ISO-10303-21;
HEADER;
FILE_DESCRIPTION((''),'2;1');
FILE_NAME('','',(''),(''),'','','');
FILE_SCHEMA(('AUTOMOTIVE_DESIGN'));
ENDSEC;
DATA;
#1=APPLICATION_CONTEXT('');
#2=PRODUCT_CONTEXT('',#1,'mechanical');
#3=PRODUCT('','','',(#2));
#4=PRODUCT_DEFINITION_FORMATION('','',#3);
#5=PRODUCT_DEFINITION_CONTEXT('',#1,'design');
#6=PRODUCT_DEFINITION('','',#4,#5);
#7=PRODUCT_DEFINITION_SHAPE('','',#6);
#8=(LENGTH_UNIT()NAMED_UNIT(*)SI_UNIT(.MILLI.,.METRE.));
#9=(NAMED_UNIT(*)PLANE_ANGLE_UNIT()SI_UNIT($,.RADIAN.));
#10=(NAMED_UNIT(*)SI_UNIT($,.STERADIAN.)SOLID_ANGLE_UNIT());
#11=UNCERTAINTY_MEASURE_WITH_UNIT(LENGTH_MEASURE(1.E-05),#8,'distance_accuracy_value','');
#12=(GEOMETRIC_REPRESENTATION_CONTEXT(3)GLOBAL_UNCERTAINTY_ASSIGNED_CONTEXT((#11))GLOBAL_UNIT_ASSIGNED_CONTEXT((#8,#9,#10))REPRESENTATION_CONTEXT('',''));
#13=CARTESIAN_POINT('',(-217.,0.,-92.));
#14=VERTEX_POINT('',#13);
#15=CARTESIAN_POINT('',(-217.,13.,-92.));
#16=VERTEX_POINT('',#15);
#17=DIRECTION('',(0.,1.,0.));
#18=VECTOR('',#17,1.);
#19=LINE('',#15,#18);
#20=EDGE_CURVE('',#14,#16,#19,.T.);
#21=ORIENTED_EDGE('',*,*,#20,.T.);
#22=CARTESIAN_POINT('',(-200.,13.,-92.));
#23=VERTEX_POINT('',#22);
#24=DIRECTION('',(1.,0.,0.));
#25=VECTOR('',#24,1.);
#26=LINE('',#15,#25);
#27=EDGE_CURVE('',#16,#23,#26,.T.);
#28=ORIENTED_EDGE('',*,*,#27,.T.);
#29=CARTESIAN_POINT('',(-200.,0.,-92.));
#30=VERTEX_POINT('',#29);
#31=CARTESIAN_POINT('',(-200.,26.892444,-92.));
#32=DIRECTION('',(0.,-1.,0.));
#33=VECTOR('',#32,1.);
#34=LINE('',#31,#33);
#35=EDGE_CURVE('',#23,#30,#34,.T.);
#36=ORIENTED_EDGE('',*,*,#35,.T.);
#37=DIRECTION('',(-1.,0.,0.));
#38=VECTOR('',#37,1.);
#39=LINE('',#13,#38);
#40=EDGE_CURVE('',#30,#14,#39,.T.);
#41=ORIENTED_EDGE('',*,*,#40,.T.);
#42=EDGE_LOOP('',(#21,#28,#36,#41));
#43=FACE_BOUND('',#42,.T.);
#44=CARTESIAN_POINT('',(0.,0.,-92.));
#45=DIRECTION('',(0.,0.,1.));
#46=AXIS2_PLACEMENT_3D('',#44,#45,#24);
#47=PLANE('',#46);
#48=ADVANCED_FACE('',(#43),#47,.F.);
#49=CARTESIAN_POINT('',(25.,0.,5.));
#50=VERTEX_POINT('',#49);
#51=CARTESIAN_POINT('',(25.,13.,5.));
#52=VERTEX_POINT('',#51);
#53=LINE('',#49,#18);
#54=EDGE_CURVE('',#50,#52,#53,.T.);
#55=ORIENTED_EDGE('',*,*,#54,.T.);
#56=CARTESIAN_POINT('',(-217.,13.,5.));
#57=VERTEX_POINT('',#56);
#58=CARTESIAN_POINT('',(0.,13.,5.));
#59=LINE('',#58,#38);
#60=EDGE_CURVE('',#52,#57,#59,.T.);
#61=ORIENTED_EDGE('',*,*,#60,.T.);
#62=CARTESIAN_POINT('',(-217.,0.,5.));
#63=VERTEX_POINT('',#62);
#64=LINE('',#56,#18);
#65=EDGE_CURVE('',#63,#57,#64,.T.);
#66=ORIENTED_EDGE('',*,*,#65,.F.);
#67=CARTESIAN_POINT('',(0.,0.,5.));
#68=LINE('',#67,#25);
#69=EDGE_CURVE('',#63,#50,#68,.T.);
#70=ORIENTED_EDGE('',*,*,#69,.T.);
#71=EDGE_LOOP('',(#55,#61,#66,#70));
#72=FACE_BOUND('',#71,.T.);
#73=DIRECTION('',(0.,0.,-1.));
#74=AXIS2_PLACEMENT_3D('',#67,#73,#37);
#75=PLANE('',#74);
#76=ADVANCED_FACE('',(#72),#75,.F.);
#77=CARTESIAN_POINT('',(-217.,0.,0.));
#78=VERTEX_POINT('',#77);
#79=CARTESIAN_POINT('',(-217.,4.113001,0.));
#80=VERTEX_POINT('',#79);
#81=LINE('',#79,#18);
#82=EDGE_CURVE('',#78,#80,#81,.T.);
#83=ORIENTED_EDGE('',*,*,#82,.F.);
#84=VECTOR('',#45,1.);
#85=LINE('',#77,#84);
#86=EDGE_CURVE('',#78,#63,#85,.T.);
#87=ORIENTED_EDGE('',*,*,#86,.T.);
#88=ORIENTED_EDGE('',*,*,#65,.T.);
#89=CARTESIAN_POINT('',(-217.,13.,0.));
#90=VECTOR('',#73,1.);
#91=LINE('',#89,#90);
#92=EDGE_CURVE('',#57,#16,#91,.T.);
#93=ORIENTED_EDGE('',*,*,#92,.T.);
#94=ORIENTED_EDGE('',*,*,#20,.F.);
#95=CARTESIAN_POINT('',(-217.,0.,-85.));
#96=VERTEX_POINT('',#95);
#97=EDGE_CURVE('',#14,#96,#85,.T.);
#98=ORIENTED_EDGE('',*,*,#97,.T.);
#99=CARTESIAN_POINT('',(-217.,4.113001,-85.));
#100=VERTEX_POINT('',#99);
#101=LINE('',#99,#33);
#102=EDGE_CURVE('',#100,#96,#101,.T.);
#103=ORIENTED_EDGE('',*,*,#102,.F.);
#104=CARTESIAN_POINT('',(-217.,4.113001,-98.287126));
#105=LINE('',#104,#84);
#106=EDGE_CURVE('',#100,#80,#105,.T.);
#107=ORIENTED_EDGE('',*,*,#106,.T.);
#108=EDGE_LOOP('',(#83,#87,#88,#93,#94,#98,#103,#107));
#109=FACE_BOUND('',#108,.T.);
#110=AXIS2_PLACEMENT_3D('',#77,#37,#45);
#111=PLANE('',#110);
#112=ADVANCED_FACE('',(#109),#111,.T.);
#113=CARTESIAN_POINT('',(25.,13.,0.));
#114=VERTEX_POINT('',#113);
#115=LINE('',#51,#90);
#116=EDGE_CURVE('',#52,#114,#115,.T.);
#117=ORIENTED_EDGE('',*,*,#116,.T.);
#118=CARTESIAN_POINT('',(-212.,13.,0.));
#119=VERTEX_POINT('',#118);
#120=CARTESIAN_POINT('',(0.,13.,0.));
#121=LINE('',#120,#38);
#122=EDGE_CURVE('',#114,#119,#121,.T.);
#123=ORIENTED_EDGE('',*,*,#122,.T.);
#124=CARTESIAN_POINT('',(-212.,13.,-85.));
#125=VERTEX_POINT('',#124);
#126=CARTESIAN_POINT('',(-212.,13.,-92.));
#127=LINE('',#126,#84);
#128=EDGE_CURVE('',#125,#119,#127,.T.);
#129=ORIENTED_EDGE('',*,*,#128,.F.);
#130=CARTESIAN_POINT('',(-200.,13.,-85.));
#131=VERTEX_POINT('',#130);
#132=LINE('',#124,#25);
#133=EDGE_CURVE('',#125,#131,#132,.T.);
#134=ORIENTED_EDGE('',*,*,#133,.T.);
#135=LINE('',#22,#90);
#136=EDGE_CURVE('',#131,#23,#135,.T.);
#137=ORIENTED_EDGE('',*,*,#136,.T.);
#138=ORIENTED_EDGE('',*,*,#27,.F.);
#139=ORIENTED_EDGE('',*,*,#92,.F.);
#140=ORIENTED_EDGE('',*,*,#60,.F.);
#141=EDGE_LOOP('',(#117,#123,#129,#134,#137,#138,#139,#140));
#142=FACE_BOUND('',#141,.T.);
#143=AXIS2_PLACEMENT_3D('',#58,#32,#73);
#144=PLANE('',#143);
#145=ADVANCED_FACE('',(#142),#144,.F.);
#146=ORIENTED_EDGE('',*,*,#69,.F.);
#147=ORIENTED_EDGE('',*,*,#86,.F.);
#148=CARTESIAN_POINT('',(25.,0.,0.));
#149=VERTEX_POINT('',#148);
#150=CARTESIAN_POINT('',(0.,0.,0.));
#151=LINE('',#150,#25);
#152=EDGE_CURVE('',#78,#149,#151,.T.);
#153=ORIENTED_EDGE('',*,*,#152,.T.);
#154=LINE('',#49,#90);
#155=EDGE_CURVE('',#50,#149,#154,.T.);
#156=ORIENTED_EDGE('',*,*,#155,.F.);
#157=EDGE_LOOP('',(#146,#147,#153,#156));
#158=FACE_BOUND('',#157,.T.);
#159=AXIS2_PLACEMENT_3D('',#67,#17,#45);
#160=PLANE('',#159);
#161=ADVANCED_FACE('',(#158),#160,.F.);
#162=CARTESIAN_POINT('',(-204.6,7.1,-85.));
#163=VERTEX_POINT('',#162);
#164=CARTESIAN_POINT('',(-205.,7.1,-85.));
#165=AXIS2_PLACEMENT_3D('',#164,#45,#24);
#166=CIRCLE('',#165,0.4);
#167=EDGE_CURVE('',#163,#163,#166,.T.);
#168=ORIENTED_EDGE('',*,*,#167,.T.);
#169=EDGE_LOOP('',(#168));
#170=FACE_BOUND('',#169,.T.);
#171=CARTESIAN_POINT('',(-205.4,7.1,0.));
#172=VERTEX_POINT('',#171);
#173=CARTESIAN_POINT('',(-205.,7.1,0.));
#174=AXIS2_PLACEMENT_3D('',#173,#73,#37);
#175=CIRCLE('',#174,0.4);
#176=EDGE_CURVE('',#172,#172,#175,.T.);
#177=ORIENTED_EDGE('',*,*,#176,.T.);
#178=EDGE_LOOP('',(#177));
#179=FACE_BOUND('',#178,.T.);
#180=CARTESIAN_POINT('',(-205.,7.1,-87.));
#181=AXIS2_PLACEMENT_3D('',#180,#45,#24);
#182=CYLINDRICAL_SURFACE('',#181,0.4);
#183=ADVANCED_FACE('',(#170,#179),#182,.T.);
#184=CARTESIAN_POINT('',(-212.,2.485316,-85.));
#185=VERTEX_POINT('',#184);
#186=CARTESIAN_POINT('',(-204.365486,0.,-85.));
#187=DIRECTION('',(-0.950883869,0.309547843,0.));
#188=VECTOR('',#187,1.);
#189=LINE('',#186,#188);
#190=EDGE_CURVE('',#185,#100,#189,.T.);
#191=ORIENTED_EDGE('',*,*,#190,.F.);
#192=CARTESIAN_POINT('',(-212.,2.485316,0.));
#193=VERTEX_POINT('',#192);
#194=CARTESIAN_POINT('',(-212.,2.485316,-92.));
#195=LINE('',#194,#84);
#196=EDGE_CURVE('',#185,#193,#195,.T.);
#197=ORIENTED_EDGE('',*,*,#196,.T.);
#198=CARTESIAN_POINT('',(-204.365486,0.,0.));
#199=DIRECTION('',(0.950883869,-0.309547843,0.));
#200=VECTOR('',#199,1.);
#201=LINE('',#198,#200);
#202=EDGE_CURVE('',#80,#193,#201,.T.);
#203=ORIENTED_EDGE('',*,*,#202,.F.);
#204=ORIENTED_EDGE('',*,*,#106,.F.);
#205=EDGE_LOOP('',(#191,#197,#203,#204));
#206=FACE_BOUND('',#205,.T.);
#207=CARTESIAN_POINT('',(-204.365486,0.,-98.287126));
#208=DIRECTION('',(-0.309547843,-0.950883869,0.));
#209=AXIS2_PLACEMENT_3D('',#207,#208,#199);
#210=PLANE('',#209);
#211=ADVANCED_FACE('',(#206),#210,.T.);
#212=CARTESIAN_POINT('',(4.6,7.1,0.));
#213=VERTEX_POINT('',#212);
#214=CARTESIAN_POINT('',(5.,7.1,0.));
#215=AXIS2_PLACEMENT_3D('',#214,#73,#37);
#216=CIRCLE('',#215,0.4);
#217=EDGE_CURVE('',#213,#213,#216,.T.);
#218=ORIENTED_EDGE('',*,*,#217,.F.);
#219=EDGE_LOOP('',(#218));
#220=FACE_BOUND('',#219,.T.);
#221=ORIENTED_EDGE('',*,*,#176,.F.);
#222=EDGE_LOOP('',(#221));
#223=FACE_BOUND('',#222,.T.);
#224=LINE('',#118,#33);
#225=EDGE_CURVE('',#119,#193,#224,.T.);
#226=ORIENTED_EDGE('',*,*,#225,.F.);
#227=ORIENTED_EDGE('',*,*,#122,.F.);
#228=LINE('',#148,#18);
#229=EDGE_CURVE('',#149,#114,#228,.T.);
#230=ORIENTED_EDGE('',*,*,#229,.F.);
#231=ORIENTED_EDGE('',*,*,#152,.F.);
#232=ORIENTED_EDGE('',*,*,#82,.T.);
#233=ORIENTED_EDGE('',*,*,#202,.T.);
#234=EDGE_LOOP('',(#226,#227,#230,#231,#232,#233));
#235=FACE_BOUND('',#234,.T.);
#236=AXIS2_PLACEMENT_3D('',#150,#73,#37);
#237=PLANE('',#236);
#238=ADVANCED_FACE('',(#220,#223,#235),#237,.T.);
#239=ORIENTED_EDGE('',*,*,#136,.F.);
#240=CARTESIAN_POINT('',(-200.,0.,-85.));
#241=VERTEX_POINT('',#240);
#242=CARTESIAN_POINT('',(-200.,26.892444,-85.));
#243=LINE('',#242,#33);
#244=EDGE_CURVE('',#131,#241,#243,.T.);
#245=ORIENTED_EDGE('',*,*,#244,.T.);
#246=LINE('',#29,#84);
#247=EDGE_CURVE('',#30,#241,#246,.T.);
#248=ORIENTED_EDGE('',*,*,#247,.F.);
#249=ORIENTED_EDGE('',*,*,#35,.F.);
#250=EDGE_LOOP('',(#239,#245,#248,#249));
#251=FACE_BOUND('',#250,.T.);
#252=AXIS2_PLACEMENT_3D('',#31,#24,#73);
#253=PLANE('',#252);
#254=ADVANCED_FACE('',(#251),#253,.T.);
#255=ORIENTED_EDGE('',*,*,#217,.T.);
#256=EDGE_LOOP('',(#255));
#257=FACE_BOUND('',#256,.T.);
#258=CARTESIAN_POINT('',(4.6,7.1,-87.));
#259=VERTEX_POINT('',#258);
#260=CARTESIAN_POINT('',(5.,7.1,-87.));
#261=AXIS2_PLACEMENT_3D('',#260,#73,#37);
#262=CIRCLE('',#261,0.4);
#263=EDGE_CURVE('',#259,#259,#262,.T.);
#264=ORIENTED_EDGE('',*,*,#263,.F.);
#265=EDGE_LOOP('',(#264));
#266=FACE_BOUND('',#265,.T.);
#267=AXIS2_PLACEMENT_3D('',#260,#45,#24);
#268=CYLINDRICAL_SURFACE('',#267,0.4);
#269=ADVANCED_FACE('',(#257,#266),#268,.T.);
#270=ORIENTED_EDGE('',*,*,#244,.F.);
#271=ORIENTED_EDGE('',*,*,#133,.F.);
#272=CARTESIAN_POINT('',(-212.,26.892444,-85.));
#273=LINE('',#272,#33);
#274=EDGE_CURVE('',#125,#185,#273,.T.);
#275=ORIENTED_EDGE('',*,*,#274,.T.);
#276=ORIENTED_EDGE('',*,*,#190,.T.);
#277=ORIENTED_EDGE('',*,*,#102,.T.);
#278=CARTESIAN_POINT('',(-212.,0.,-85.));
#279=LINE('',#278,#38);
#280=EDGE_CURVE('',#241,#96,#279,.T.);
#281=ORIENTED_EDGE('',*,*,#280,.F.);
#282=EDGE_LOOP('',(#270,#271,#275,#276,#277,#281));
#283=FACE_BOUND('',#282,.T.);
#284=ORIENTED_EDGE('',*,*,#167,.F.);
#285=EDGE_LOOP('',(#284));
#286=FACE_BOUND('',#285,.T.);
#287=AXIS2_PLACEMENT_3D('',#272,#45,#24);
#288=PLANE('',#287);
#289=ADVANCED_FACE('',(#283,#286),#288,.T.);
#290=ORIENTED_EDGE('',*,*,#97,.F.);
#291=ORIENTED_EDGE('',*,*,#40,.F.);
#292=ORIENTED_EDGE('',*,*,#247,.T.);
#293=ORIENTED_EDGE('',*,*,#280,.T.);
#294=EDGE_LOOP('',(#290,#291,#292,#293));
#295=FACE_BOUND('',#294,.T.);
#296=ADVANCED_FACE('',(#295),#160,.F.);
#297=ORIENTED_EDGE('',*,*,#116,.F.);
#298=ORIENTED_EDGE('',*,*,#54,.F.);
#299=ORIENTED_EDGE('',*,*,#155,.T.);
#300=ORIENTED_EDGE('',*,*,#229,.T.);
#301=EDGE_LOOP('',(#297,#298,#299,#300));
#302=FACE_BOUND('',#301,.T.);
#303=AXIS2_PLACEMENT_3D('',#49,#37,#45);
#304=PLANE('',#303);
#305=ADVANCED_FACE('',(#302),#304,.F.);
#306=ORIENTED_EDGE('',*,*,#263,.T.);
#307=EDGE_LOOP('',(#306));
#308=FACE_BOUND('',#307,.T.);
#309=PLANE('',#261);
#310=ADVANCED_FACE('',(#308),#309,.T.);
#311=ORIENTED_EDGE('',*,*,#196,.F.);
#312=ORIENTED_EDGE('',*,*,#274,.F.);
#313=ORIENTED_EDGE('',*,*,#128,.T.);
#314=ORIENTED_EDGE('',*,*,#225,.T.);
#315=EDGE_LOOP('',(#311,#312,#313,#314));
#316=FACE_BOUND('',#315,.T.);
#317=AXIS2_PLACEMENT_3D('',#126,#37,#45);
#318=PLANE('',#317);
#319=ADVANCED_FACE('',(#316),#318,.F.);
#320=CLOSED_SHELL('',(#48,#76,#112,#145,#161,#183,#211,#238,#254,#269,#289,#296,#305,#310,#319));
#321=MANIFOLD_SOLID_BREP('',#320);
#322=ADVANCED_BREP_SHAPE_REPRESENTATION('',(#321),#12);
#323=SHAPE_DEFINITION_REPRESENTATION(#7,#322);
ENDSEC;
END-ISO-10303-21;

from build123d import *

# Parameters (mm, degrees)
SKETCH1_W           = 25
SKETCH1_H           = 13
BOSS_EXTRUDE1_DEPTH = 5
SKETCH2_R           = 0.4
BOSS_EXTRUDE2_DEPTH = 87
SKETCH3_W           = 5
SKETCH3_H           = 13
BOSS_EXTRUDE3_DEPTH = 210
SKETCH4_R           = 0.4
BOSS_EXTRUDE4_DEPTH = 87
SKETCH5_W           = 5
SKETCH5_H           = 13
BOSS_EXTRUDE5_DEPTH = 7
SKETCH6_W           = 5
SKETCH6_H           = 13
BOSS_EXTRUDE6_DEPTH = 92
BOSS_EXTRUDE7_START = -13
SKETCH8_W           = 12
SKETCH8_H           = 7
BOSS_EXTRUDE7_DEPTH = 13
CUT_EXTRUDE4_DEPTH  = 85


with BuildPart() as part:
    # Sketch1 → Boss-Extrude1 (new body)
    with BuildSketch(Plane.XY):
        with Locations((12.5, 6.5)):
            Rectangle(SKETCH1_W, SKETCH1_H)
    extrude(amount=BOSS_EXTRUDE1_DEPTH)

    # Sketch2 → Boss-Extrude2 (add)
    with BuildSketch(Plane(origin=(0, 0, 0), x_dir=(-1, 0, 0), z_dir=(0, 0, -1))):
        with Locations((-5, 7.1)):
            Circle(SKETCH2_R)
    extrude(amount=BOSS_EXTRUDE2_DEPTH)

    # Sketch3 → Boss-Extrude3 (add)
    with BuildSketch(Plane.ZY):
        with Locations((2.5, 6.5)):
            Rectangle(SKETCH3_W, SKETCH3_H)
    extrude(amount=BOSS_EXTRUDE3_DEPTH)

    # Sketch4 → Boss-Extrude4 (add)
    with BuildSketch(Plane(origin=(0, 0, 0), x_dir=(-1, 0, 0), z_dir=(0, 0, -1))):
        with Locations((205, 7.1)):
            Circle(SKETCH4_R)
    extrude(amount=BOSS_EXTRUDE4_DEPTH)

    # Sketch5 → Boss-Extrude5 (add)
    with BuildSketch(Plane.ZY.offset(210)):
        with Locations((2.5, 6.5)):
            Rectangle(SKETCH5_W, SKETCH5_H)
    extrude(amount=BOSS_EXTRUDE5_DEPTH)

    # Sketch6 → Boss-Extrude6 (add)
    with BuildSketch(Plane(origin=(0, 0, 0), x_dir=(-1, 0, 0), z_dir=(0, 0, -1))):
        with Locations((214.5, 6.5)):
            Rectangle(SKETCH6_W, SKETCH6_H)
    extrude(amount=BOSS_EXTRUDE6_DEPTH)

    # Sketch8 → Boss-Extrude7 (add)
    with BuildSketch(Plane.XZ.offset(BOSS_EXTRUDE7_START)):
        with Locations((-206, -88.5)):
            Rectangle(SKETCH8_W, SKETCH8_H)
    extrude(amount=BOSS_EXTRUDE7_DEPTH)

    # Sketch12 → Cut-Extrude4 (cut)
    with BuildSketch(Plane(origin=(0, 0, 0), x_dir=(-1, 0, 0), z_dir=(0, 0, -1))):
        Polygon((204.365486279, 0), (217, 4.113001179), (217, 0), align=None)
    extrude(amount=CUT_EXTRUDE4_DEPTH, mode=Mode.SUBTRACT)


solid = part.part
